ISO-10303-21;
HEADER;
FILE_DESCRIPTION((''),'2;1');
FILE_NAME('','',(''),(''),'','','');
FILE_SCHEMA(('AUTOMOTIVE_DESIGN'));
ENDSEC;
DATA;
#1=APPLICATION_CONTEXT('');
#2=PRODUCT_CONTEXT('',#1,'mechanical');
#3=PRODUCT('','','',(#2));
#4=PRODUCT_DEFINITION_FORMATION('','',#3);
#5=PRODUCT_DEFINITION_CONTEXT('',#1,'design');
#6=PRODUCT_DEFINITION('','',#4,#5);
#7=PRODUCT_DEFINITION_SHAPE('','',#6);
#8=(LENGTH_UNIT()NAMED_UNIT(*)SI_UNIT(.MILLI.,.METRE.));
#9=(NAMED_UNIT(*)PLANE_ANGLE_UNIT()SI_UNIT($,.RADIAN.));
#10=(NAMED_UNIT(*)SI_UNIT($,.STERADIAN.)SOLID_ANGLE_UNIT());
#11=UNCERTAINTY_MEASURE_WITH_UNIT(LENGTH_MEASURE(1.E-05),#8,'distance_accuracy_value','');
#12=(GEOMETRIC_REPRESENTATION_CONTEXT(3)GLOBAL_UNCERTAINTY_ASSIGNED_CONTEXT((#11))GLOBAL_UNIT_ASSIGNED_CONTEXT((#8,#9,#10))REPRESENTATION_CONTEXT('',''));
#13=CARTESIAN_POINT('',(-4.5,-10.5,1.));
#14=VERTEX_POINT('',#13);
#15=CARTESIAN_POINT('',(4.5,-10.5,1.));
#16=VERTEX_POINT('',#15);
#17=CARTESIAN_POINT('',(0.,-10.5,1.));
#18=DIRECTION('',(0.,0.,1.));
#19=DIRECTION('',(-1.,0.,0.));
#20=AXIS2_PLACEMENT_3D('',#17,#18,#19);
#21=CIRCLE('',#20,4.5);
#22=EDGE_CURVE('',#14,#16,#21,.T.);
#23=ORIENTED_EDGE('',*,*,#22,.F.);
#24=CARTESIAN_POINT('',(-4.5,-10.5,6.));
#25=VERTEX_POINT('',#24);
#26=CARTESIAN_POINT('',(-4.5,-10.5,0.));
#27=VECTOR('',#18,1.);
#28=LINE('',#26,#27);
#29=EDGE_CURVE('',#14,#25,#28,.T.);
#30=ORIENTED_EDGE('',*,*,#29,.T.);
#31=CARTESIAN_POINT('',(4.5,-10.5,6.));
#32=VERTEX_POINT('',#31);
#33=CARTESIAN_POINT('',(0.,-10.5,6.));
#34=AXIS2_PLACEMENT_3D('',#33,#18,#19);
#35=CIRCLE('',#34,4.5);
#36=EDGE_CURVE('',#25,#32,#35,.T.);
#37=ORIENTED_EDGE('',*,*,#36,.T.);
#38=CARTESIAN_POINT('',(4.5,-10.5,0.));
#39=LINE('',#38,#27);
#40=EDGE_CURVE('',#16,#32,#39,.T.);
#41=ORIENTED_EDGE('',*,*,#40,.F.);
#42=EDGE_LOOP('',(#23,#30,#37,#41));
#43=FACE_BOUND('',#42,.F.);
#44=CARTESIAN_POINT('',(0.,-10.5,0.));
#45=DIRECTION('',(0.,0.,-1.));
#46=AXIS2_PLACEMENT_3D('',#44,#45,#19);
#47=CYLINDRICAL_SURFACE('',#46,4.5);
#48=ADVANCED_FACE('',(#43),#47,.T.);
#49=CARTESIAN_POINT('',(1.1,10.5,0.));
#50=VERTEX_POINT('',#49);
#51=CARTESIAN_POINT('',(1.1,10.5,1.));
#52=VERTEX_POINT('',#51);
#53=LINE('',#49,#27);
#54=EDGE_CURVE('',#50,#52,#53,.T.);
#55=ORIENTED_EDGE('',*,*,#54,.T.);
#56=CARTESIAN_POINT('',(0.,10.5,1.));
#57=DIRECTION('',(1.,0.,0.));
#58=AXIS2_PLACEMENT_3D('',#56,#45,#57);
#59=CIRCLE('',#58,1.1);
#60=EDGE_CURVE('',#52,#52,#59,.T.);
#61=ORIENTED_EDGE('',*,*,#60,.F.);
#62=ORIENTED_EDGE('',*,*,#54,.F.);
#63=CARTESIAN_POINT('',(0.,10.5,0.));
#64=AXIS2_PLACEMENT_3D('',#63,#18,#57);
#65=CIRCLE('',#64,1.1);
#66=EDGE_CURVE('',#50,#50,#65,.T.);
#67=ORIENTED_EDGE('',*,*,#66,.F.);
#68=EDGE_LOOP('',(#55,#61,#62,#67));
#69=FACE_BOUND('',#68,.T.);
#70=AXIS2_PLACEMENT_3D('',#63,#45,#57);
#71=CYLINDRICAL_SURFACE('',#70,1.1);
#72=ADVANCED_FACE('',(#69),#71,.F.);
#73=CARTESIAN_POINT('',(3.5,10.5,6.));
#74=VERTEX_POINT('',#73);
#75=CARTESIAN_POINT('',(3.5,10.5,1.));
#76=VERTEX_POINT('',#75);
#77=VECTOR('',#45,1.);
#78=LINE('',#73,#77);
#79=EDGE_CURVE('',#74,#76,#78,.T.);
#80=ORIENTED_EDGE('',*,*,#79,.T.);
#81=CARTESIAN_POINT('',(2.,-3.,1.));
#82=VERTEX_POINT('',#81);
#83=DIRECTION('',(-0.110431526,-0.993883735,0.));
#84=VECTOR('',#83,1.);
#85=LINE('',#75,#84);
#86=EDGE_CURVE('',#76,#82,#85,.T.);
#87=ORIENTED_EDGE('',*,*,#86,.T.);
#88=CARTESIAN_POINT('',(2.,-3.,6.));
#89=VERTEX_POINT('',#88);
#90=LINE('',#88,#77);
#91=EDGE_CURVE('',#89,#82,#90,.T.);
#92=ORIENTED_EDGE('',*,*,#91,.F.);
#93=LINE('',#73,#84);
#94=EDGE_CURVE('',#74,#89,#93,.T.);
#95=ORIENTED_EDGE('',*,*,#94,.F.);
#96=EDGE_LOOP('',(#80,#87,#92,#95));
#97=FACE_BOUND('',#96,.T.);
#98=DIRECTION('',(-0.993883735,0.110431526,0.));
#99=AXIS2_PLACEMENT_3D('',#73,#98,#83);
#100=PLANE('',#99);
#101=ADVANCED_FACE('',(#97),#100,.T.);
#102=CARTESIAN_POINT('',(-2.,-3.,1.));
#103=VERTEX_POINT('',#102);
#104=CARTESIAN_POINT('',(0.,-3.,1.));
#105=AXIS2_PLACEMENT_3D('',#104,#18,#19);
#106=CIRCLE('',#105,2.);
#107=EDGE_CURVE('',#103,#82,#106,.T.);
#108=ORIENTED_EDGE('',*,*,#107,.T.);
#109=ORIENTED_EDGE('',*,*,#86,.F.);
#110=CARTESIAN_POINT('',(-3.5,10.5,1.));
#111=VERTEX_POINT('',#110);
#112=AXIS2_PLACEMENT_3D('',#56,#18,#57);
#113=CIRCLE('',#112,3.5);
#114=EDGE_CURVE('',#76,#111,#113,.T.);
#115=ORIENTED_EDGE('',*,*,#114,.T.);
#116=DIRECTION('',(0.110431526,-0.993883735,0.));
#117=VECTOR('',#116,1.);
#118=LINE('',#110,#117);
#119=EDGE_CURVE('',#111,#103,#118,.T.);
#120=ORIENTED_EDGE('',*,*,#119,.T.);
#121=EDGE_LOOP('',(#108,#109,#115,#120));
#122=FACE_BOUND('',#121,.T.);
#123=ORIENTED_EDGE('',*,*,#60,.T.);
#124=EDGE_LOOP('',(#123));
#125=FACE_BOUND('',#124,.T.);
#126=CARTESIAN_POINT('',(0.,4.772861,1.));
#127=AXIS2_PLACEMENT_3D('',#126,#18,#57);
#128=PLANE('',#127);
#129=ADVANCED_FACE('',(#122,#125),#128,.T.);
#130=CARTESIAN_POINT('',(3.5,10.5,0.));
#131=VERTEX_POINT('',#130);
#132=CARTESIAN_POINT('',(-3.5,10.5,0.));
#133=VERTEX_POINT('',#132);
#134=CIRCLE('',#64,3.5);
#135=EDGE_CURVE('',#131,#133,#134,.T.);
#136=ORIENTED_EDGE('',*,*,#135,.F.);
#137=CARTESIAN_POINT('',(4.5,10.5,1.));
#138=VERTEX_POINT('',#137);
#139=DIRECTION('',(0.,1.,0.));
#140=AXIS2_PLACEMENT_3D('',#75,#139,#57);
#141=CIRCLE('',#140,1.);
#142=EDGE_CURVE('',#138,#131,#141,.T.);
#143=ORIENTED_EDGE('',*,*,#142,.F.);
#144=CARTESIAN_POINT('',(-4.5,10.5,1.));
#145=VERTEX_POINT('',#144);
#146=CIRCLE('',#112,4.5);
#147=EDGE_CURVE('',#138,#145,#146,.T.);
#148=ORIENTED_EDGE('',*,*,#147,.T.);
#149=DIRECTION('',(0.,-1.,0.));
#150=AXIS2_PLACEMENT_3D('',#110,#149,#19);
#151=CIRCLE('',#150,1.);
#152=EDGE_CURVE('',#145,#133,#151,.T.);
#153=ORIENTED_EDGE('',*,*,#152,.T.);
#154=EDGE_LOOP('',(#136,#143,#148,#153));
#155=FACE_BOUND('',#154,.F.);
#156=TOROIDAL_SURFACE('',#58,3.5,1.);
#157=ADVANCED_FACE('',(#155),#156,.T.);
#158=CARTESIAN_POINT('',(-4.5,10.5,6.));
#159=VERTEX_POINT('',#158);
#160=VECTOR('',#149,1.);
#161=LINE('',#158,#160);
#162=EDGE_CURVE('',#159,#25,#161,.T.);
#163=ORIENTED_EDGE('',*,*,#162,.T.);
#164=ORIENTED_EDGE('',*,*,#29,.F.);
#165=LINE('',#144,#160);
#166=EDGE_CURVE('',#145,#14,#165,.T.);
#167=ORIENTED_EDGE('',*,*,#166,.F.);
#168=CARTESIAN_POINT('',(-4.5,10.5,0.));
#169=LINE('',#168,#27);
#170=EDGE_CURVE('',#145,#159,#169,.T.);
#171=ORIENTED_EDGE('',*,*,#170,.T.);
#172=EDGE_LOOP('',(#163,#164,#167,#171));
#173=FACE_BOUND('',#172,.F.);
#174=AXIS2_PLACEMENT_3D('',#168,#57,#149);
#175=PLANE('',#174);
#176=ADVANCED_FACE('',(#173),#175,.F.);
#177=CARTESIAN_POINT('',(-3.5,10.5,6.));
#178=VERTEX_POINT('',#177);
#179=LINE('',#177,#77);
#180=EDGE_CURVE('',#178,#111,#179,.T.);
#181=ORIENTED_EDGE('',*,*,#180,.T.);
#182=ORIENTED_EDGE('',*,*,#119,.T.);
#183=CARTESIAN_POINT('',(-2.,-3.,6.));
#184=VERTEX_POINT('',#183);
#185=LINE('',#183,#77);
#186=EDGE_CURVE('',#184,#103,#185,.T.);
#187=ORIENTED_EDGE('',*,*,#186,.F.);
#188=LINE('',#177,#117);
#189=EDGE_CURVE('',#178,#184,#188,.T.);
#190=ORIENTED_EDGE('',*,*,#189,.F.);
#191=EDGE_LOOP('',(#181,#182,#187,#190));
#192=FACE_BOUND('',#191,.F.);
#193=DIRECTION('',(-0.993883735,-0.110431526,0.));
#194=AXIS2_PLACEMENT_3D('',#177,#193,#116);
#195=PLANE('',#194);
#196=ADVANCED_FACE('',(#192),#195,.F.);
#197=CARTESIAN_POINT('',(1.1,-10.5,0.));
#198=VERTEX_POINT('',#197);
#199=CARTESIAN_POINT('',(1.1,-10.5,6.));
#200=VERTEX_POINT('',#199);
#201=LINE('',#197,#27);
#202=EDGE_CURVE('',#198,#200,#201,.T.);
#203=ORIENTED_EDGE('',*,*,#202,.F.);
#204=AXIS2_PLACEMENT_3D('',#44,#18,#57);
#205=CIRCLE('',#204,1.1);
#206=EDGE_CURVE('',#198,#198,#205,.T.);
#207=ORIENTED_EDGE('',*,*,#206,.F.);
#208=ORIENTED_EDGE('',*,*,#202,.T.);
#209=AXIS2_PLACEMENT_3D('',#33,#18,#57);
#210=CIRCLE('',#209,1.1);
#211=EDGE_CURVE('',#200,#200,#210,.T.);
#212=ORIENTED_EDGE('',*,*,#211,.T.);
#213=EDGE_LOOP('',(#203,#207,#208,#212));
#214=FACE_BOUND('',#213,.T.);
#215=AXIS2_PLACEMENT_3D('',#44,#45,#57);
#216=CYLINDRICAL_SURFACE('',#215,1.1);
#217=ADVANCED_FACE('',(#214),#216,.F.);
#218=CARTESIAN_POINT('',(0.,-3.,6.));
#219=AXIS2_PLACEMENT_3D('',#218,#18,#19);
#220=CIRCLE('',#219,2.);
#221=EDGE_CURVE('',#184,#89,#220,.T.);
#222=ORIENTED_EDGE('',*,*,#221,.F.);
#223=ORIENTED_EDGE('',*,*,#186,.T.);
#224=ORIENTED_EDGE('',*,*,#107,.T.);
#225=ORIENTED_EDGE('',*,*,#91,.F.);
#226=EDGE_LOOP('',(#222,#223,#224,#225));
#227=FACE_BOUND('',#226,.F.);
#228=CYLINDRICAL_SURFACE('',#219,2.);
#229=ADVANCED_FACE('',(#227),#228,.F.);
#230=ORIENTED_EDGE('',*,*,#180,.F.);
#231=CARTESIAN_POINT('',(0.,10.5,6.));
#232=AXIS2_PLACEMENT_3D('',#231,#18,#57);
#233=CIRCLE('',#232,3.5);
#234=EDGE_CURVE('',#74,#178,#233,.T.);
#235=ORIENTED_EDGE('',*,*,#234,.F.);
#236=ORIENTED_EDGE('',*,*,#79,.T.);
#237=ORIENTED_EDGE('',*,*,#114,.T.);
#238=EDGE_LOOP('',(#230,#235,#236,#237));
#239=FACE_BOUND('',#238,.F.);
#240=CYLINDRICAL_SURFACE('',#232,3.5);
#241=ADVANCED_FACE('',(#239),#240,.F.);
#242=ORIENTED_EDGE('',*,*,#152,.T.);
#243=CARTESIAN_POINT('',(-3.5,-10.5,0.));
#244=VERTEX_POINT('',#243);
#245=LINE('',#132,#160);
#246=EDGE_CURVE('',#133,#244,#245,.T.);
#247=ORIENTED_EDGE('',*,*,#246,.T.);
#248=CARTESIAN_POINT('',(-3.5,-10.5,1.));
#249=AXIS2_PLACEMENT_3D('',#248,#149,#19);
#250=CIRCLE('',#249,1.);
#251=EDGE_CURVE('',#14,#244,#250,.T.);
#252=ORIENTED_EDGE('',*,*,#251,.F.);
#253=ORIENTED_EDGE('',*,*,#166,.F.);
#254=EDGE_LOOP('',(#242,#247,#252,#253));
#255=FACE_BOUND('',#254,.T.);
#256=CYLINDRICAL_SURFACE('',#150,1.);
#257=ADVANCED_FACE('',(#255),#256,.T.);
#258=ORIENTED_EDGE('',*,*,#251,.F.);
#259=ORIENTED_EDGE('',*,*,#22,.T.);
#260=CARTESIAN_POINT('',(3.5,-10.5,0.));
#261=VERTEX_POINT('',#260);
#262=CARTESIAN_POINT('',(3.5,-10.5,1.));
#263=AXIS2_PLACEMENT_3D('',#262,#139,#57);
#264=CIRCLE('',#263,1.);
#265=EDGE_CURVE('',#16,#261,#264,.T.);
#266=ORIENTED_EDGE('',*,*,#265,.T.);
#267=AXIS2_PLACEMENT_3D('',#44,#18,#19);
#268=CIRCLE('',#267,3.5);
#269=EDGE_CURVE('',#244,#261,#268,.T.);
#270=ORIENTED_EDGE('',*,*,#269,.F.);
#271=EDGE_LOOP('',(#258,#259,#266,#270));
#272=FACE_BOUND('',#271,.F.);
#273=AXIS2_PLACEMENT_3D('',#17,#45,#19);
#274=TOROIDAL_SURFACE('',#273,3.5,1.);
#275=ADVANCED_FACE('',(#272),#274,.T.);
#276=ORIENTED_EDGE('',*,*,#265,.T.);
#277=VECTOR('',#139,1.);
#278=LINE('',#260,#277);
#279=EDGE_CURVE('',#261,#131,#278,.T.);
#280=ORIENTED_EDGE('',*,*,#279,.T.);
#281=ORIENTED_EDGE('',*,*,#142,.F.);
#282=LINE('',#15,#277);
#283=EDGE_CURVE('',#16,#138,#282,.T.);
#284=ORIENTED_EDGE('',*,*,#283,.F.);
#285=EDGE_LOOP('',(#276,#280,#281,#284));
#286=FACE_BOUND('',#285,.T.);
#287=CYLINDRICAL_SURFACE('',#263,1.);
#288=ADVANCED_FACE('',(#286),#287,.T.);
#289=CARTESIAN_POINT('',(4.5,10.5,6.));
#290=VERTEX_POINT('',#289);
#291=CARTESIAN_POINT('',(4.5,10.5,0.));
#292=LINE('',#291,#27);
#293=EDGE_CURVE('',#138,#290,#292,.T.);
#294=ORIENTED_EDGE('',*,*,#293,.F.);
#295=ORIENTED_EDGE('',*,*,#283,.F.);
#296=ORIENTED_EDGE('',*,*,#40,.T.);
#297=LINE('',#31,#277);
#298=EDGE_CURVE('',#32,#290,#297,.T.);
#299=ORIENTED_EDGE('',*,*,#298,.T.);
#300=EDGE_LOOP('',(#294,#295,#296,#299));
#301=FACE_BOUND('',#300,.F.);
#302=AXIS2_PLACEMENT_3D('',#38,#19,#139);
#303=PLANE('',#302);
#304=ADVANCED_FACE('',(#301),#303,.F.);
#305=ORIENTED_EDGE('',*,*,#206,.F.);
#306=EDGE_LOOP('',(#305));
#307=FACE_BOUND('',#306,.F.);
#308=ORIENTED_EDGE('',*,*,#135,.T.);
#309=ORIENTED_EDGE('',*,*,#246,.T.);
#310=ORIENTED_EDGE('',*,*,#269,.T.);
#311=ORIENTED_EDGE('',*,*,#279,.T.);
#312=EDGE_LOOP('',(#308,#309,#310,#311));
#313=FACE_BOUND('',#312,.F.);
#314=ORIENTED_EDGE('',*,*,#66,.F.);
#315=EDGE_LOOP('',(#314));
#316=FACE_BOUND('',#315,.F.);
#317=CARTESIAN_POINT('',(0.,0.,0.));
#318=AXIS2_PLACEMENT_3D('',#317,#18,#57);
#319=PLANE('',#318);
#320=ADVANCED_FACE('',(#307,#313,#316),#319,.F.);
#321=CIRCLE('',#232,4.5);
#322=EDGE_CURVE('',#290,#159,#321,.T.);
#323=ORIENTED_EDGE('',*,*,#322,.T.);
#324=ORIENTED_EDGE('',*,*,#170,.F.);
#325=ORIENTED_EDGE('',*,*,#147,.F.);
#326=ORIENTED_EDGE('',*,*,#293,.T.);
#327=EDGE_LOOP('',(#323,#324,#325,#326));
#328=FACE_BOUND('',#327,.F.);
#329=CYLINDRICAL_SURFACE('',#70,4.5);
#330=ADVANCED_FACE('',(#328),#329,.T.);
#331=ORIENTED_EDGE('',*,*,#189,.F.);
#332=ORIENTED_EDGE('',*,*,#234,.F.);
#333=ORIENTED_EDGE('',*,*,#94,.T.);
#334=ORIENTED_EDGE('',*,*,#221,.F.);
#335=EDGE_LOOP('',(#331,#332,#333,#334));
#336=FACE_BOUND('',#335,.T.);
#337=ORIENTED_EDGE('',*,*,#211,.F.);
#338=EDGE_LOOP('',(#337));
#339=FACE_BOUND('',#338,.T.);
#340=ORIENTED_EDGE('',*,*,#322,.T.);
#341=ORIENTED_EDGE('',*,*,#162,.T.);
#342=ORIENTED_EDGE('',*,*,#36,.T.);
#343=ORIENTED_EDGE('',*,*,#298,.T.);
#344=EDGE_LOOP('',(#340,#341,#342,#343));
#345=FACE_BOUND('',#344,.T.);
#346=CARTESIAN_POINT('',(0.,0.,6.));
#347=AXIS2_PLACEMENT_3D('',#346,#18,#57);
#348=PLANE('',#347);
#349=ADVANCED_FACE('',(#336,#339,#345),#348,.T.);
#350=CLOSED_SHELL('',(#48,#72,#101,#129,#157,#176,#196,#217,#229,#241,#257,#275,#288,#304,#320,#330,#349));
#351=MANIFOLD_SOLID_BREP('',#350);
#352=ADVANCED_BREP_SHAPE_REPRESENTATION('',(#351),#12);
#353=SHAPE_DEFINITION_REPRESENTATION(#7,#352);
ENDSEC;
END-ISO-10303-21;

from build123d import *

# Parameters (mm, degrees)
SKETCH_R     = 1.1
PAD_DEPTH    = 6
POCKET_DEPTH = 5
FILLET_R     = 1


with BuildPart() as part:
    # Sketch → Pad (new body)
    with BuildSketch(Plane.XY):
        with BuildLine():
            ThreePointArc((4.5, 10.5), (0, 15), (-4.5, 10.5))
            Line((-4.5, 10.5), (-4.5, -10.5))
            ThreePointArc((-4.5, -10.5), (0, -15), (4.5, -10.5))
            Line((4.5, -10.5), (4.5, 10.5))
        make_face()
        with Locations((0, 10.5)):
            Circle(SKETCH_R, mode=Mode.SUBTRACT)
        with Locations((0, -10.5)):
            Circle(SKETCH_R, mode=Mode.SUBTRACT)
    extrude(amount=PAD_DEPTH)

    # Sketch001 (on Face8 of Pad) → Pocket (cut)
    with BuildSketch(Plane.XY.offset(6)):
        with BuildLine():
            ThreePointArc((3.5, 10.5), (0, 14), (-3.5, 10.5))
            Line((-3.5, 10.5), (-2, -3))
            ThreePointArc((-2, -3), (0, -5), (2, -3))
            Line((3.5, 10.5), (2, -3))
        make_face()
    extrude(amount=-POCKET_DEPTH, mode=Mode.SUBTRACT)

    # Fillet
    fillet_edges = [part.edges().sort_by_distance(p)[0] for p in [
        (4.5, 0, 0),
    ]]
    fillet(fillet_edges, radius=FILLET_R)


solid = part.part
